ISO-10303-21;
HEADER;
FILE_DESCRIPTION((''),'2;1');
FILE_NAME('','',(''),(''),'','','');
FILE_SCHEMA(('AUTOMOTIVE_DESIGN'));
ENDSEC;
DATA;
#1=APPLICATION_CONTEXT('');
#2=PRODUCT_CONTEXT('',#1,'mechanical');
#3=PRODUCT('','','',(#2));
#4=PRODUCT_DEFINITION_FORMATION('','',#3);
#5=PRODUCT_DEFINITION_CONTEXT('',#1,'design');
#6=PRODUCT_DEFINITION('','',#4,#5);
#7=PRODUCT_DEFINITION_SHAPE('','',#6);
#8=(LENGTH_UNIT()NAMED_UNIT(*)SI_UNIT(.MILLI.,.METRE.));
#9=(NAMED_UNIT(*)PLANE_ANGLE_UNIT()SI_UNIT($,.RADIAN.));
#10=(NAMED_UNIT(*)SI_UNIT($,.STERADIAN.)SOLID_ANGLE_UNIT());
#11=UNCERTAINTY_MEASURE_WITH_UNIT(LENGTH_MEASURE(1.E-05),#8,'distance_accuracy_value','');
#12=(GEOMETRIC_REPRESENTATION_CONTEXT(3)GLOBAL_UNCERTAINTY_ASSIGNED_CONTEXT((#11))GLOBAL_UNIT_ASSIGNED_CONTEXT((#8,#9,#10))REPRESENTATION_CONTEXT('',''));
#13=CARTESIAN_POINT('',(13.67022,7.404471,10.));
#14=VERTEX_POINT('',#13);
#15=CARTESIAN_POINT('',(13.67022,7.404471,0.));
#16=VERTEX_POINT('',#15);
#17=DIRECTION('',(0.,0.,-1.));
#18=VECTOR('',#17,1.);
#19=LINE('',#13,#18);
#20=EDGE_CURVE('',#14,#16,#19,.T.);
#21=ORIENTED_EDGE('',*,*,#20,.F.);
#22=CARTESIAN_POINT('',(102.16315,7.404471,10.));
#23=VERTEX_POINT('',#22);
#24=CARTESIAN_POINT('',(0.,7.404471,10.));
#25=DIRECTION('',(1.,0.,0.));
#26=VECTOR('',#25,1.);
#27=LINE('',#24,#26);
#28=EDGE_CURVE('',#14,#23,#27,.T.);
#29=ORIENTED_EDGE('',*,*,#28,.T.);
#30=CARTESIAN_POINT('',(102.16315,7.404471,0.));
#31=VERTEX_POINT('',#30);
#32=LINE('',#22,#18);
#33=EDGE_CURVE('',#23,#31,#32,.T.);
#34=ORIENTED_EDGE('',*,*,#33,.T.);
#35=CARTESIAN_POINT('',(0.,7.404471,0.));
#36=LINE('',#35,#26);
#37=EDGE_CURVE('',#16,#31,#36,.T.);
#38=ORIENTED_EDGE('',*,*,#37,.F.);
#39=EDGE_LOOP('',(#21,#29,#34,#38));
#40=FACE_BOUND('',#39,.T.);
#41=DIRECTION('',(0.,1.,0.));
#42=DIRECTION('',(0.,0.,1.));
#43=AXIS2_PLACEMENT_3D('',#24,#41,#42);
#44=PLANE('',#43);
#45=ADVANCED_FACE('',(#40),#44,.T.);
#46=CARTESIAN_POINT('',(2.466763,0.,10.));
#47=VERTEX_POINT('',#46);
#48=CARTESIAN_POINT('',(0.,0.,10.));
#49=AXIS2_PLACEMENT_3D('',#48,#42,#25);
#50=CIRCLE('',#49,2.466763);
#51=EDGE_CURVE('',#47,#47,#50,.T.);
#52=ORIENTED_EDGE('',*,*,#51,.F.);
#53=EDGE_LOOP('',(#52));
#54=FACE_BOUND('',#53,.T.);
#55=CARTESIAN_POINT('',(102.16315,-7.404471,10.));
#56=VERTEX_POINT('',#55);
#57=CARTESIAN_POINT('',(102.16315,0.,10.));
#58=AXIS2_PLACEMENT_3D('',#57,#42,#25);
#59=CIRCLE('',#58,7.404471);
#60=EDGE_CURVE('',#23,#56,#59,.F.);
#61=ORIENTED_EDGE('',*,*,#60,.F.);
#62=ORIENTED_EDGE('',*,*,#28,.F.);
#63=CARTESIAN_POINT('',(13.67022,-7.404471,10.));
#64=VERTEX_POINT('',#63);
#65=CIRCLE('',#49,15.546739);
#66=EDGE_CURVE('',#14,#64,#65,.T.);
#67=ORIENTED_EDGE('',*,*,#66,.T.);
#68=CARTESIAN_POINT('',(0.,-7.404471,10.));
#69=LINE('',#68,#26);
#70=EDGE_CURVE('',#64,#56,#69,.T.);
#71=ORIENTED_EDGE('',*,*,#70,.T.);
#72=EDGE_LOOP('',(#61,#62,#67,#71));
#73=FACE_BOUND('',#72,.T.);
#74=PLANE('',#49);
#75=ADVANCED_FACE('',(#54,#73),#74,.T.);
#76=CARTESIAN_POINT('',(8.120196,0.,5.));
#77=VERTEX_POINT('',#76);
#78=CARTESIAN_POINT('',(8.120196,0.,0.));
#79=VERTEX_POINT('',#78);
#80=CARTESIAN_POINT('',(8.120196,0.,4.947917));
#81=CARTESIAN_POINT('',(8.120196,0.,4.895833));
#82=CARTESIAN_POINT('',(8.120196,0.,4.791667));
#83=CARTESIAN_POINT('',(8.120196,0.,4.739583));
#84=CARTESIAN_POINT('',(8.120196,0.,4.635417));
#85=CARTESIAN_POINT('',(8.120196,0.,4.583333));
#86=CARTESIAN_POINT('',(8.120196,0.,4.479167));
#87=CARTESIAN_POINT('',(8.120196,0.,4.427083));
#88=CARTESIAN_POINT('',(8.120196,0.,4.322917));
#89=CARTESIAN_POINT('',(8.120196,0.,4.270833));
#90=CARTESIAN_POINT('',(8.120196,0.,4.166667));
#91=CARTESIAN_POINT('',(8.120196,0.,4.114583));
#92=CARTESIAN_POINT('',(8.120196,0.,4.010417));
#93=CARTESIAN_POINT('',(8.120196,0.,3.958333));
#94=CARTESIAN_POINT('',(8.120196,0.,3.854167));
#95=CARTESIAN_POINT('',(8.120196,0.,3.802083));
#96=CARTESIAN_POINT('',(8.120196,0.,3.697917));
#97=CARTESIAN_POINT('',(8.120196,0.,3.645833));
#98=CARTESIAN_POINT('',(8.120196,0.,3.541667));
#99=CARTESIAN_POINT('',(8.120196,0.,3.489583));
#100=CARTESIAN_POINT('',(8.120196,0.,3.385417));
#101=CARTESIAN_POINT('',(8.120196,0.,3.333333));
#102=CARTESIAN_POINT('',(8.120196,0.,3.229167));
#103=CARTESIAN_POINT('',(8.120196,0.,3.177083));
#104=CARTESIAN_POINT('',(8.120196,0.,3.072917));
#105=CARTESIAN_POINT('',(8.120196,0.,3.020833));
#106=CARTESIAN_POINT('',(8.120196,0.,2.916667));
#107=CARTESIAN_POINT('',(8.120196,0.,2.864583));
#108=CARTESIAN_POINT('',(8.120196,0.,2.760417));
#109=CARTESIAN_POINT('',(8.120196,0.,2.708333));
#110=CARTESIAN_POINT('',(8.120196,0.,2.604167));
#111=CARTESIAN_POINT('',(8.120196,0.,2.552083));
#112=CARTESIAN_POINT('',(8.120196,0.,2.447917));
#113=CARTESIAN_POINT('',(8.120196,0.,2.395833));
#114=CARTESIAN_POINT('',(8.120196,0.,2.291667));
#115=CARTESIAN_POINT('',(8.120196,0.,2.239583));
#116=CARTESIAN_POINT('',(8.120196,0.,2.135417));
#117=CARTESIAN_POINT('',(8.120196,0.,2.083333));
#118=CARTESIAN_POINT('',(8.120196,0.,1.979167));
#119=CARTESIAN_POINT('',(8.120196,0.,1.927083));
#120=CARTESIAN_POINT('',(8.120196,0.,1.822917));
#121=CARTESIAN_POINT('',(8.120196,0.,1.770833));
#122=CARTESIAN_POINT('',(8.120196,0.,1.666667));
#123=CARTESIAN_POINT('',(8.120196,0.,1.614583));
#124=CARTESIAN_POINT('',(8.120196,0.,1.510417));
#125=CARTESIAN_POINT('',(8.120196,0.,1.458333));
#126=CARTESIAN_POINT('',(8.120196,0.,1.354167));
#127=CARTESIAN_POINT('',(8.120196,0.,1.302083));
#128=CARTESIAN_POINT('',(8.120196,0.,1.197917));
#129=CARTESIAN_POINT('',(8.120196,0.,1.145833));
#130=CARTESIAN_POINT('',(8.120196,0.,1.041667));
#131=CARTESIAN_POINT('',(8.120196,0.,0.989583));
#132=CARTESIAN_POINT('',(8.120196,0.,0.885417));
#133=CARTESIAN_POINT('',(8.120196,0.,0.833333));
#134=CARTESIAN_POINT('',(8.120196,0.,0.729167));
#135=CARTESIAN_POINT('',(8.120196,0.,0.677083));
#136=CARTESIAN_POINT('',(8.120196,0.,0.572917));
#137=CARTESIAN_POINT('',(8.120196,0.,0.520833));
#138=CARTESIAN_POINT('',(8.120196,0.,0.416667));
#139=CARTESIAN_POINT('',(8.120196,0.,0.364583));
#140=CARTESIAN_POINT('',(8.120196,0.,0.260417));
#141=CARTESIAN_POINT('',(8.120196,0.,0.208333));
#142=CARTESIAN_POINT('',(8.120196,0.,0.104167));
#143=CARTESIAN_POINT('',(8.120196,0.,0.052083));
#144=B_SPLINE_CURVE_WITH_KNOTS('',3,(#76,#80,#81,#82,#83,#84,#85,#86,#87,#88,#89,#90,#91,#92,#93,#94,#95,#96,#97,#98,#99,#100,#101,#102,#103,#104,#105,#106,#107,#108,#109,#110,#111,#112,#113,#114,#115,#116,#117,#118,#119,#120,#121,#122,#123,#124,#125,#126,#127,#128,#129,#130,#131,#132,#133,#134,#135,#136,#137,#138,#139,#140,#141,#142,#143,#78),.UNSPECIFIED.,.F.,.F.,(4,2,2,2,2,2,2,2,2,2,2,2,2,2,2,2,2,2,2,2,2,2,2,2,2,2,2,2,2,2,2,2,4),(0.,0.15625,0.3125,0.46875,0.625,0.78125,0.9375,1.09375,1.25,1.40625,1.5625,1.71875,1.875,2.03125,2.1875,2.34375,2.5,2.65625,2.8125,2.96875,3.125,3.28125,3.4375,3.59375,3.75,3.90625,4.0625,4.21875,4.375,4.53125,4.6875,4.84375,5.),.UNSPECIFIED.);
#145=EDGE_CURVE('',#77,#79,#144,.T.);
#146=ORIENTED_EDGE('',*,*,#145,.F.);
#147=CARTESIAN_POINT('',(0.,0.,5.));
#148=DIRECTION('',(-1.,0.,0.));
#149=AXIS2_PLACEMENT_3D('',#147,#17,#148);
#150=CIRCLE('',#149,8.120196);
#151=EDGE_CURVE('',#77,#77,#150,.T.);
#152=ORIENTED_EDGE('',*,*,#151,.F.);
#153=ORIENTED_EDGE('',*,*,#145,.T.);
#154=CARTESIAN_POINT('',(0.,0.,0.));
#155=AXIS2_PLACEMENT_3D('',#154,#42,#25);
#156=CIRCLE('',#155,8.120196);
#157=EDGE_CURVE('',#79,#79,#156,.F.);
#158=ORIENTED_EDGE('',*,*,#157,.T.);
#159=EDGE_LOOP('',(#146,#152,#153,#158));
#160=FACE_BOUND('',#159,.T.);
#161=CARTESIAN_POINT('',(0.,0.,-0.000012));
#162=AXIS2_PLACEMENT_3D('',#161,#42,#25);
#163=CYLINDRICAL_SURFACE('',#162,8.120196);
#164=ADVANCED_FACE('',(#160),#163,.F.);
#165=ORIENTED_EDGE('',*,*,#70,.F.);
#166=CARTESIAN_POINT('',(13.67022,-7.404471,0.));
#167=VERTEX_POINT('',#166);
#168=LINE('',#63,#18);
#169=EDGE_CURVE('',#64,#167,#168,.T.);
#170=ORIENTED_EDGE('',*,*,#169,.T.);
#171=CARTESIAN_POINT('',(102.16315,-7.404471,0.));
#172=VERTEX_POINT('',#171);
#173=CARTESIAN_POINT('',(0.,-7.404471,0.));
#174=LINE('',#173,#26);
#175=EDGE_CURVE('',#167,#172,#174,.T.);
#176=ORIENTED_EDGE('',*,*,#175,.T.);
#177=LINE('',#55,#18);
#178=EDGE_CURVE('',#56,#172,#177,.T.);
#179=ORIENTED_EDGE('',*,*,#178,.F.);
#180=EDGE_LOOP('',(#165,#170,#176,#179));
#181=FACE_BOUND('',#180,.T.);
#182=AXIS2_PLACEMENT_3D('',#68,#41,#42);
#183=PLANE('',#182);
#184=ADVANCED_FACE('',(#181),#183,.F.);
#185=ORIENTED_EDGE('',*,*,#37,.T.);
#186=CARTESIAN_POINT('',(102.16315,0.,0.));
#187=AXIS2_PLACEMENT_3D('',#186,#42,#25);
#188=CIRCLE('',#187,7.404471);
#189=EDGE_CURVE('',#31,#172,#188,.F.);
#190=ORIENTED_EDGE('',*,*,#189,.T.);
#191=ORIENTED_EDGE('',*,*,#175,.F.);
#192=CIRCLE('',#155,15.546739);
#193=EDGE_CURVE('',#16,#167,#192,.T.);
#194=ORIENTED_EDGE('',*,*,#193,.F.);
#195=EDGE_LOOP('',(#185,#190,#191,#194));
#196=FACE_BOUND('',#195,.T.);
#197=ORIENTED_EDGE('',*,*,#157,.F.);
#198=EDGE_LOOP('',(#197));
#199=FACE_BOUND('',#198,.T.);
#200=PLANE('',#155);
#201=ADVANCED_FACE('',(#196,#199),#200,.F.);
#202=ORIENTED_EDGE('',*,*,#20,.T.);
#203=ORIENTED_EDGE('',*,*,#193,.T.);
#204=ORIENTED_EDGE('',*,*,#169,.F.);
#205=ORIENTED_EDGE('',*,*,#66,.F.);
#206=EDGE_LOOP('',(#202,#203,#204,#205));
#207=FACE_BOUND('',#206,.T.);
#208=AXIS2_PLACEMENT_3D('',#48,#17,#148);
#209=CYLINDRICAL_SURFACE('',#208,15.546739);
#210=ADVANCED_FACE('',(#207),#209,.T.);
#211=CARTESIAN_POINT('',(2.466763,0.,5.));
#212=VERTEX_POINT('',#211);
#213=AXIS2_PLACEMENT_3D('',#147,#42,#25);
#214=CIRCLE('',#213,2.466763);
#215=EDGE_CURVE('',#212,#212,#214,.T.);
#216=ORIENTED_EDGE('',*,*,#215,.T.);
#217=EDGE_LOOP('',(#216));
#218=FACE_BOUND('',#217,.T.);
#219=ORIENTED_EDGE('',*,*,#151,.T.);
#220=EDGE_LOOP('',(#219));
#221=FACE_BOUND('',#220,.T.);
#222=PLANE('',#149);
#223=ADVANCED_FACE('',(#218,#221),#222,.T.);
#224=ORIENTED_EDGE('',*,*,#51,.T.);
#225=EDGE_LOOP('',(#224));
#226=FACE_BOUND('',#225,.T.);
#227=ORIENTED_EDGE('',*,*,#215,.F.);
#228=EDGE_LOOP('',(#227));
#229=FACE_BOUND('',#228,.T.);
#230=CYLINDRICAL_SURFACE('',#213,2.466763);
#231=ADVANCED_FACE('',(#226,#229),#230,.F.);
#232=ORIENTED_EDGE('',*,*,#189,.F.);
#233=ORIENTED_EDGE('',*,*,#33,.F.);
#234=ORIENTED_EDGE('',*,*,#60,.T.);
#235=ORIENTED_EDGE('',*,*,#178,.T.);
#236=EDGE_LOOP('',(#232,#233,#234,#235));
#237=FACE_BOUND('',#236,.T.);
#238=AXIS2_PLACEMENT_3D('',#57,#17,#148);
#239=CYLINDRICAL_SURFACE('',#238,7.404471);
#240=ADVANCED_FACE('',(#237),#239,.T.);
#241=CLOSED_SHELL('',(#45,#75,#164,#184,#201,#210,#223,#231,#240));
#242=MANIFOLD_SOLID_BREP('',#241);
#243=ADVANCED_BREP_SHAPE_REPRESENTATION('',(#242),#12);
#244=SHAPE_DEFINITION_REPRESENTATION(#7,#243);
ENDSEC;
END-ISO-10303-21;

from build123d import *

# Parameters (mm, degrees)
EXTRUDE_1_DEPTH          = 10
CUT_EXTRUDE_1_DEPTH      = 112.11599651
CUT_EXTRUDE_1_DEPTH_BACK = 5
SKETCH_2_R               = 8.120196397
SKETCH_3_R               = 2.466762855
CUT_EXTRUDE_2_DEPTH      = 5


with BuildPart() as part:
    # 草图1 → 凸台-拉伸1 (new body)
    with BuildSketch(Plane.XY):
        with BuildLine():
            Line((13.670219887, 7.404471095), (102.163149927, 7.404471095))
            ThreePointArc((102.163149927, 7.404471095), (109.567621023, 0), (102.163149927, -7.404471095))
            Line((102.163149927, -7.404471095), (13.670219887, -7.404471095))
            ThreePointArc((13.670219887, -7.404471095), (-15.546739336, 0), (13.670219887, 7.404471095))
        make_face()
    extrude(amount=EXTRUDE_1_DEPTH)

    # 草图2 → 切除-拉伸1 (cut, two sides: drawn at the far end of the back side and taken through both)
    with BuildSketch(Plane(origin=(0, 0, 0), x_dir=(-1, 0, 0), z_dir=(0, 0, -1)).offset(-CUT_EXTRUDE_1_DEPTH_BACK)):
        with Locations(Location((0, 0, 0), (0, 0, 180))):
            Circle(SKETCH_2_R)
    extrude(amount=CUT_EXTRUDE_1_DEPTH + CUT_EXTRUDE_1_DEPTH_BACK, mode=Mode.SUBTRACT)

    # 草图3 → 切除-拉伸2 (cut)
    with BuildSketch(Plane.XY.offset(10)):
        Circle(SKETCH_3_R)
    extrude(amount=-CUT_EXTRUDE_2_DEPTH, mode=Mode.SUBTRACT)


solid = part.part
